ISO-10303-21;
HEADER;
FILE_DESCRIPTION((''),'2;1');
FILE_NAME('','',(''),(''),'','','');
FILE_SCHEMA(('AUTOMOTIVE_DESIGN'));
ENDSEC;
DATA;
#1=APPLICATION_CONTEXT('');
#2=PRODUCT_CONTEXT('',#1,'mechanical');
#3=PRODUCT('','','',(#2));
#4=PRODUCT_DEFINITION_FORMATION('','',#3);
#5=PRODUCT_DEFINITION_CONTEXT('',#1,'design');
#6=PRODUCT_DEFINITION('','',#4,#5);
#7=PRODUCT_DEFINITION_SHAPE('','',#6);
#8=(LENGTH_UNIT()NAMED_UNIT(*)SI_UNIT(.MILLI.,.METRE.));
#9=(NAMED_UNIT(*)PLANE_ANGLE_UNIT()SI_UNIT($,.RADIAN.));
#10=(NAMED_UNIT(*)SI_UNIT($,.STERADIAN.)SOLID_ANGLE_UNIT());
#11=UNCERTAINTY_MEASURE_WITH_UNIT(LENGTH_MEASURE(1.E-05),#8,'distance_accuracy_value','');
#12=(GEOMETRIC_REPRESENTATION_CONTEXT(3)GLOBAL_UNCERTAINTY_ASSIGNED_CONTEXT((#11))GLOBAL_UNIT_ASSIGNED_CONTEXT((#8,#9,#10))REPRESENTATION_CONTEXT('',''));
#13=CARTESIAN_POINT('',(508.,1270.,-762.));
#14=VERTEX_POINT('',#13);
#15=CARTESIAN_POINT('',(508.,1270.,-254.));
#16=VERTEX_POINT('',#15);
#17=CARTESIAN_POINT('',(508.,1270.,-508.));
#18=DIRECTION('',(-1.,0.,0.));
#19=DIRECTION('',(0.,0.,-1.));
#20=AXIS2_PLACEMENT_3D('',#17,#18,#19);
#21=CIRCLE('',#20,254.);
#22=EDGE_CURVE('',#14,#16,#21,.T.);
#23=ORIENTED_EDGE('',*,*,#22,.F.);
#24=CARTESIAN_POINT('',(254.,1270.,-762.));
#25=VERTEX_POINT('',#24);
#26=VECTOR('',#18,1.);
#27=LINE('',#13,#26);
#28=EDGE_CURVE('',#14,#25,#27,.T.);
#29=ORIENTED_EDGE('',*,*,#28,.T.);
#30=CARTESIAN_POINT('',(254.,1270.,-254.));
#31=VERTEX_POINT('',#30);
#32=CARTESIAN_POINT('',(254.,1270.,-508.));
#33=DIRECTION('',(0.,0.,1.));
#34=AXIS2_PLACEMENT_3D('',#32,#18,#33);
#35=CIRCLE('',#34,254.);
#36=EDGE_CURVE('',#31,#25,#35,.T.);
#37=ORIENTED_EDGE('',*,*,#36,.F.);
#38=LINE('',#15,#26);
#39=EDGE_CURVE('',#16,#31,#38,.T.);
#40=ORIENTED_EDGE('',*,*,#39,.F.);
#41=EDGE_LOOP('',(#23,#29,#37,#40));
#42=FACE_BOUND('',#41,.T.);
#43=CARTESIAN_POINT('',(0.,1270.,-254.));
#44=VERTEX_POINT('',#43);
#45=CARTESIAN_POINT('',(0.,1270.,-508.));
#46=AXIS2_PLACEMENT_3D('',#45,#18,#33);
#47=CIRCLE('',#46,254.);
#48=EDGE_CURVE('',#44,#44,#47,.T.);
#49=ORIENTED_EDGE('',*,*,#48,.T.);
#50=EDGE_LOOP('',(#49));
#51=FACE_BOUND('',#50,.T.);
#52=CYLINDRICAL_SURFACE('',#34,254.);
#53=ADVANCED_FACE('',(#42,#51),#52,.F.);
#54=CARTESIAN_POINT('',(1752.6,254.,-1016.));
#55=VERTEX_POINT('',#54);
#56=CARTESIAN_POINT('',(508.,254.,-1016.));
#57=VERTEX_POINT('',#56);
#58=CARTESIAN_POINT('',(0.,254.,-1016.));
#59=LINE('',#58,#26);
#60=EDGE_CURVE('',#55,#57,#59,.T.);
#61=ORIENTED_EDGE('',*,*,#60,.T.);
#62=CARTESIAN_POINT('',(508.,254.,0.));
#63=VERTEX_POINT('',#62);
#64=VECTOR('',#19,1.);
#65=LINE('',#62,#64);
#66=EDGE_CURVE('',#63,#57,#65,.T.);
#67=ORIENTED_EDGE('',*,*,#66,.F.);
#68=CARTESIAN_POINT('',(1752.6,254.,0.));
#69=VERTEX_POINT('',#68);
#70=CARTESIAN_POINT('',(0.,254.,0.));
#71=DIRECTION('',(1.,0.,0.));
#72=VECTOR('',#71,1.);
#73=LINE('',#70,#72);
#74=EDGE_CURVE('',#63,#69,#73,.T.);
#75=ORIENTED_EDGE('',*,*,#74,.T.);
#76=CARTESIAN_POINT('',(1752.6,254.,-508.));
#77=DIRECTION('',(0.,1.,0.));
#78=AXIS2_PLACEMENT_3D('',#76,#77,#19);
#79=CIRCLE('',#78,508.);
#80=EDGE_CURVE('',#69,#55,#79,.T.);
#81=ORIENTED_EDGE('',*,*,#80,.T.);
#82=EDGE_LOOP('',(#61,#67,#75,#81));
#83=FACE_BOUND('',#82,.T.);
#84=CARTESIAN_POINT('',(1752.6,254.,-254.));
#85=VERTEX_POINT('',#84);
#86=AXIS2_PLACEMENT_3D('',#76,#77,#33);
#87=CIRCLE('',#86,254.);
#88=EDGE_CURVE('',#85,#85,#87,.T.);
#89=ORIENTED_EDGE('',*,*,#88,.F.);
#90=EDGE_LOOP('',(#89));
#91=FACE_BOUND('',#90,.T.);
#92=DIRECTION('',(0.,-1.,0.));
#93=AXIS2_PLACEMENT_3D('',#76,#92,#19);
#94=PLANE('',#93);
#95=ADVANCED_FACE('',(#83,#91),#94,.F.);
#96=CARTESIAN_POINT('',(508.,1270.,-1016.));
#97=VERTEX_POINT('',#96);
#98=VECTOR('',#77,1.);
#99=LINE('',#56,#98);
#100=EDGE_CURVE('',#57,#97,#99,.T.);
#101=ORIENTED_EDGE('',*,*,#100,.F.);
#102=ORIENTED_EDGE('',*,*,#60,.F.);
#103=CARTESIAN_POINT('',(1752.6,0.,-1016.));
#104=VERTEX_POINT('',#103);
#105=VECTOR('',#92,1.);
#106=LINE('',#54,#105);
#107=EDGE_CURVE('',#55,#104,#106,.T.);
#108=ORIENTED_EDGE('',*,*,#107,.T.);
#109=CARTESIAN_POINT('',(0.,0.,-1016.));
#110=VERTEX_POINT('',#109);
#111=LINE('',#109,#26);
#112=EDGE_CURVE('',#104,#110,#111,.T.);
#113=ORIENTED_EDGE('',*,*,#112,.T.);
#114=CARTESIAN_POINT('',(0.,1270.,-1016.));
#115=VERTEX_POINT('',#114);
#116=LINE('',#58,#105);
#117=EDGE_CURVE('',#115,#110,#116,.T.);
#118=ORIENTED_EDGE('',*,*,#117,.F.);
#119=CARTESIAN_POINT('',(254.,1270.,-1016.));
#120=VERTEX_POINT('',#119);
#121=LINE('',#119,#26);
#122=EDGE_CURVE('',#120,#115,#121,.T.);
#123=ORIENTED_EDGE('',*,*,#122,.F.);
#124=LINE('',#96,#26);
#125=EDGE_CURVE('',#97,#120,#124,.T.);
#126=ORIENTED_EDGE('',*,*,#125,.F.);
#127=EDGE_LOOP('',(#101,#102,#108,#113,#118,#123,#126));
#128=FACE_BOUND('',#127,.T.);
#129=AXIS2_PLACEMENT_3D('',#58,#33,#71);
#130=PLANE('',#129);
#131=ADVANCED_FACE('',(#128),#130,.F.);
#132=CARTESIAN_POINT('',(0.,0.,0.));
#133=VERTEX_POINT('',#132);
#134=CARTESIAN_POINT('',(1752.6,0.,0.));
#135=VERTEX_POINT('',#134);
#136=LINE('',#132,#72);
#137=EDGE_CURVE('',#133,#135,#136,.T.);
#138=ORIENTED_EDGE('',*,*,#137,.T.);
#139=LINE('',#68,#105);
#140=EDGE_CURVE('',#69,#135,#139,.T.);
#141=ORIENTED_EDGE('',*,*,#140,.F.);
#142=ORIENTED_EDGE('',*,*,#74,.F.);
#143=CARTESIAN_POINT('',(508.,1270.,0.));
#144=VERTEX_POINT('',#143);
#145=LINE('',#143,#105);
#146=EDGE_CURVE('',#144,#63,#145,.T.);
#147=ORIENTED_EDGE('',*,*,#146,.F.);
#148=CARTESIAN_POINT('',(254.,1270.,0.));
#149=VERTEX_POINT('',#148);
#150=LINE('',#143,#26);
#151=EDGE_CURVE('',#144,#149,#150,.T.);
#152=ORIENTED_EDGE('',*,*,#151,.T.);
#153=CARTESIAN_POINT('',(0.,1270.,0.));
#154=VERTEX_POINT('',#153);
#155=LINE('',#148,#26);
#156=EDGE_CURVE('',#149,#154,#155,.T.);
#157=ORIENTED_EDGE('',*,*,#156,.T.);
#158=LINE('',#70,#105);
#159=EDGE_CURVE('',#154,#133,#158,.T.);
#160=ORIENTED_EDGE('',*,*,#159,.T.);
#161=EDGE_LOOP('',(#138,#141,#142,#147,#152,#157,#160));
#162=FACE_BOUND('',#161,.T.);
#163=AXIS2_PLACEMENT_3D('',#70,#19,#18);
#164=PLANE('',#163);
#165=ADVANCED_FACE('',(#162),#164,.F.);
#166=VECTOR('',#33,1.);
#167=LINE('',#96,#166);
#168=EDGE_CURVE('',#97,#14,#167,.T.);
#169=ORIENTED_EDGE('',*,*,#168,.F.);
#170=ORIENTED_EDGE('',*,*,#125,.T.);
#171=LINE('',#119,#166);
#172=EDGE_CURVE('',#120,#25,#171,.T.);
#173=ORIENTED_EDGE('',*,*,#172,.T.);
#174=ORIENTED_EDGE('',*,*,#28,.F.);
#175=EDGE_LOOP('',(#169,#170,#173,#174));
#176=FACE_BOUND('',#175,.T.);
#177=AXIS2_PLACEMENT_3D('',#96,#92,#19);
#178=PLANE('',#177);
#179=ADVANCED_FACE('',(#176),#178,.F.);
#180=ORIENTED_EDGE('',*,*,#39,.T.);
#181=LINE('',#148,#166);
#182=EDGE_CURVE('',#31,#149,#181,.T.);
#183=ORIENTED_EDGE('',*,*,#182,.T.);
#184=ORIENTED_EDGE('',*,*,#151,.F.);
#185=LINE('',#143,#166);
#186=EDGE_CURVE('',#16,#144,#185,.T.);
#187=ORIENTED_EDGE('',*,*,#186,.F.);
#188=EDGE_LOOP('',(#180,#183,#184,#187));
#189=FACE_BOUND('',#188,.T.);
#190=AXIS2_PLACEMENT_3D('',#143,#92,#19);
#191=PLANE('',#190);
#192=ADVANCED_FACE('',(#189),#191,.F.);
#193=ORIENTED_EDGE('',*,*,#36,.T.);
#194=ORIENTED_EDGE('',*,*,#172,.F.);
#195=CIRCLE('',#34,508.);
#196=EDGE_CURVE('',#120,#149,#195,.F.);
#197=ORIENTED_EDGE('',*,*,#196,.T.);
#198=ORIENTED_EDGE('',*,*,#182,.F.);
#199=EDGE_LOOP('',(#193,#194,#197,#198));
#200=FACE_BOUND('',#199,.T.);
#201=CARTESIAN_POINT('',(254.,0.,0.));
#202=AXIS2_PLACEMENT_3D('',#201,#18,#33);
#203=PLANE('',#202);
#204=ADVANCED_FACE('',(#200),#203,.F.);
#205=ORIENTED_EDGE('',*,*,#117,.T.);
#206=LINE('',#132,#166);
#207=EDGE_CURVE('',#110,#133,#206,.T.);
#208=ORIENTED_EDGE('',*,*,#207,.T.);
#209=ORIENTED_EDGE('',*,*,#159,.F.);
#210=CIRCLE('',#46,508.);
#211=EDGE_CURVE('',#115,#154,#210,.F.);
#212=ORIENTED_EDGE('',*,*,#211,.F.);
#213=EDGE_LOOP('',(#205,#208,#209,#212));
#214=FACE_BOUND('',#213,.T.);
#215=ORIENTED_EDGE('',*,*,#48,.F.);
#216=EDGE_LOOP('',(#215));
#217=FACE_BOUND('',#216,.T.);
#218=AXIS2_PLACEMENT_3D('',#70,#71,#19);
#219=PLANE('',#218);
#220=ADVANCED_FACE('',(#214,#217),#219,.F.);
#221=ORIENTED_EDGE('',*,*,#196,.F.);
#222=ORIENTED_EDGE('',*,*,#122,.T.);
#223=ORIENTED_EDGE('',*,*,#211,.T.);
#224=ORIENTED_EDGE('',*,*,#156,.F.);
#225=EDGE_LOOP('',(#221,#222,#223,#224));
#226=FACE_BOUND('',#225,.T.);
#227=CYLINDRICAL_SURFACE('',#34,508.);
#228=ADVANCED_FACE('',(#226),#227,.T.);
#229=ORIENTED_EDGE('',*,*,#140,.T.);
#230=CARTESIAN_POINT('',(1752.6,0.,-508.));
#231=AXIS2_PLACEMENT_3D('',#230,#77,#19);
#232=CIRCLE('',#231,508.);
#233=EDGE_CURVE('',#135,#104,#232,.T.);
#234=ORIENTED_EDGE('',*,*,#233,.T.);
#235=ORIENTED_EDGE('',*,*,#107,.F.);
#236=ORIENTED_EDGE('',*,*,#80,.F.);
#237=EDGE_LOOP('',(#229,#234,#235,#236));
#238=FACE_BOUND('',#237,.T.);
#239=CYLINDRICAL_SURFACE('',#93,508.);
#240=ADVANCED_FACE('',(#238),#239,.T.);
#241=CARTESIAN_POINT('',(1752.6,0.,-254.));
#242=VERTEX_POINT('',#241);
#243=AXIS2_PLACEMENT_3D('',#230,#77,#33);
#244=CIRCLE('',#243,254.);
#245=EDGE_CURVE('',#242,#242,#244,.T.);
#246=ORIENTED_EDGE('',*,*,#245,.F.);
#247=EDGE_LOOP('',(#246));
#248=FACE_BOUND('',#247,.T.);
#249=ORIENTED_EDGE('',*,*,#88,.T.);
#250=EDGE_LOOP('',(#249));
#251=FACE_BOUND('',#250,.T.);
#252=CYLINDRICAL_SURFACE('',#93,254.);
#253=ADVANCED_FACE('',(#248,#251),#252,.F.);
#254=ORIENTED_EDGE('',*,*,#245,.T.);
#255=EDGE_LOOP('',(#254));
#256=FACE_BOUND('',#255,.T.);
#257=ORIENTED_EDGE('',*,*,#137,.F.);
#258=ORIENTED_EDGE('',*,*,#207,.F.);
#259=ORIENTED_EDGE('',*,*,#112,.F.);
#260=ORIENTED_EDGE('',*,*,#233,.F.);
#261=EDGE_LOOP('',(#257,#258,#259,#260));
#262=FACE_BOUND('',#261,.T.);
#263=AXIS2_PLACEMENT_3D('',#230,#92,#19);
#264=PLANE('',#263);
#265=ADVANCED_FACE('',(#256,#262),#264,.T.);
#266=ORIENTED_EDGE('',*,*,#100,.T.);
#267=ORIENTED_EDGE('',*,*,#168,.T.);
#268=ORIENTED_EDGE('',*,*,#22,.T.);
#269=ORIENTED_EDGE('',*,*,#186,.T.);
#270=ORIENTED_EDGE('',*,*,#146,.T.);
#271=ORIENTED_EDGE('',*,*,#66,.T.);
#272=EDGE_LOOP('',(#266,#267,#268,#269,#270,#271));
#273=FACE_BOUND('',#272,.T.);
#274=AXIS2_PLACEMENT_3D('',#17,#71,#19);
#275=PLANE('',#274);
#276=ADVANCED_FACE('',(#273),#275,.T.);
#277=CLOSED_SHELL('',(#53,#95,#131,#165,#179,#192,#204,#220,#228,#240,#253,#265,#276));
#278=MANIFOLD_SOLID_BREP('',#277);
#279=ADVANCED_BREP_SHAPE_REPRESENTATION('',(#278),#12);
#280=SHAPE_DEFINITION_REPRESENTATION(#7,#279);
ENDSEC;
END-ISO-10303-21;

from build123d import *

# Parameters (mm, degrees)
SKETCH1_R           = 254
BOSS_EXTRUDE1_DEPTH = 254
SKETCH3_R           = 254
BOSS_EXTRUDE2_DEPTH = 254
BOSS_EXTRUDE3_DEPTH = 254


with BuildPart() as part:
    # Sketch1 → Boss-Extrude1 (new body)
    with BuildSketch(Plane(origin=(0, 0, 0), x_dir=(1, 0, 0), z_dir=(0, 1, 0))):
        with BuildLine():
            Line((0, 0), (0, 1016))
            Line((0, 1016), (1752.6, 1016))
            ThreePointArc((1752.6, 1016), (2260.6, 508), (1752.6, 0))
            Line((1752.6, 0), (0, 0))
        make_face()
        with Locations(Location((1752.6, 508, 0), (0, 0, 270))):
            Circle(SKETCH1_R, mode=Mode.SUBTRACT)
    extrude(amount=BOSS_EXTRUDE1_DEPTH)

    # Sketch3 → Boss-Extrude2 (add)
    with BuildSketch(Plane.ZY):
        with BuildLine():
            ThreePointArc((-1016, 1270), (-508, 1778), (0, 1270))
            Line((0, 1270), (0, 254))
            Line((0, 254), (-1016, 254))
            Line((-1016, 254), (-1016, 1270))
        make_face()
        with Locations((-508, 1270)):
            Circle(SKETCH3_R, mode=Mode.SUBTRACT)
    extrude(amount=-BOSS_EXTRUDE2_DEPTH)

    # Sketch4 → Boss-Extrude3 (add)
    with BuildSketch(Plane(origin=(254, 0, 0), x_dir=(0, 0, -1), z_dir=(1, 0, 0))):
        with BuildLine():
            Line((0, 1270), (254, 1270))
            ThreePointArc((254, 1270), (508, 1016), (762, 1270))
            Line((762, 1270), (1016, 1270))
            Line((1016, 1270), (1016, 254))
            Line((1016, 254), (0, 254))
            Line((0, 254), (0, 1270))
        make_face()
    extrude(amount=BOSS_EXTRUDE3_DEPTH)


solid = part.part
